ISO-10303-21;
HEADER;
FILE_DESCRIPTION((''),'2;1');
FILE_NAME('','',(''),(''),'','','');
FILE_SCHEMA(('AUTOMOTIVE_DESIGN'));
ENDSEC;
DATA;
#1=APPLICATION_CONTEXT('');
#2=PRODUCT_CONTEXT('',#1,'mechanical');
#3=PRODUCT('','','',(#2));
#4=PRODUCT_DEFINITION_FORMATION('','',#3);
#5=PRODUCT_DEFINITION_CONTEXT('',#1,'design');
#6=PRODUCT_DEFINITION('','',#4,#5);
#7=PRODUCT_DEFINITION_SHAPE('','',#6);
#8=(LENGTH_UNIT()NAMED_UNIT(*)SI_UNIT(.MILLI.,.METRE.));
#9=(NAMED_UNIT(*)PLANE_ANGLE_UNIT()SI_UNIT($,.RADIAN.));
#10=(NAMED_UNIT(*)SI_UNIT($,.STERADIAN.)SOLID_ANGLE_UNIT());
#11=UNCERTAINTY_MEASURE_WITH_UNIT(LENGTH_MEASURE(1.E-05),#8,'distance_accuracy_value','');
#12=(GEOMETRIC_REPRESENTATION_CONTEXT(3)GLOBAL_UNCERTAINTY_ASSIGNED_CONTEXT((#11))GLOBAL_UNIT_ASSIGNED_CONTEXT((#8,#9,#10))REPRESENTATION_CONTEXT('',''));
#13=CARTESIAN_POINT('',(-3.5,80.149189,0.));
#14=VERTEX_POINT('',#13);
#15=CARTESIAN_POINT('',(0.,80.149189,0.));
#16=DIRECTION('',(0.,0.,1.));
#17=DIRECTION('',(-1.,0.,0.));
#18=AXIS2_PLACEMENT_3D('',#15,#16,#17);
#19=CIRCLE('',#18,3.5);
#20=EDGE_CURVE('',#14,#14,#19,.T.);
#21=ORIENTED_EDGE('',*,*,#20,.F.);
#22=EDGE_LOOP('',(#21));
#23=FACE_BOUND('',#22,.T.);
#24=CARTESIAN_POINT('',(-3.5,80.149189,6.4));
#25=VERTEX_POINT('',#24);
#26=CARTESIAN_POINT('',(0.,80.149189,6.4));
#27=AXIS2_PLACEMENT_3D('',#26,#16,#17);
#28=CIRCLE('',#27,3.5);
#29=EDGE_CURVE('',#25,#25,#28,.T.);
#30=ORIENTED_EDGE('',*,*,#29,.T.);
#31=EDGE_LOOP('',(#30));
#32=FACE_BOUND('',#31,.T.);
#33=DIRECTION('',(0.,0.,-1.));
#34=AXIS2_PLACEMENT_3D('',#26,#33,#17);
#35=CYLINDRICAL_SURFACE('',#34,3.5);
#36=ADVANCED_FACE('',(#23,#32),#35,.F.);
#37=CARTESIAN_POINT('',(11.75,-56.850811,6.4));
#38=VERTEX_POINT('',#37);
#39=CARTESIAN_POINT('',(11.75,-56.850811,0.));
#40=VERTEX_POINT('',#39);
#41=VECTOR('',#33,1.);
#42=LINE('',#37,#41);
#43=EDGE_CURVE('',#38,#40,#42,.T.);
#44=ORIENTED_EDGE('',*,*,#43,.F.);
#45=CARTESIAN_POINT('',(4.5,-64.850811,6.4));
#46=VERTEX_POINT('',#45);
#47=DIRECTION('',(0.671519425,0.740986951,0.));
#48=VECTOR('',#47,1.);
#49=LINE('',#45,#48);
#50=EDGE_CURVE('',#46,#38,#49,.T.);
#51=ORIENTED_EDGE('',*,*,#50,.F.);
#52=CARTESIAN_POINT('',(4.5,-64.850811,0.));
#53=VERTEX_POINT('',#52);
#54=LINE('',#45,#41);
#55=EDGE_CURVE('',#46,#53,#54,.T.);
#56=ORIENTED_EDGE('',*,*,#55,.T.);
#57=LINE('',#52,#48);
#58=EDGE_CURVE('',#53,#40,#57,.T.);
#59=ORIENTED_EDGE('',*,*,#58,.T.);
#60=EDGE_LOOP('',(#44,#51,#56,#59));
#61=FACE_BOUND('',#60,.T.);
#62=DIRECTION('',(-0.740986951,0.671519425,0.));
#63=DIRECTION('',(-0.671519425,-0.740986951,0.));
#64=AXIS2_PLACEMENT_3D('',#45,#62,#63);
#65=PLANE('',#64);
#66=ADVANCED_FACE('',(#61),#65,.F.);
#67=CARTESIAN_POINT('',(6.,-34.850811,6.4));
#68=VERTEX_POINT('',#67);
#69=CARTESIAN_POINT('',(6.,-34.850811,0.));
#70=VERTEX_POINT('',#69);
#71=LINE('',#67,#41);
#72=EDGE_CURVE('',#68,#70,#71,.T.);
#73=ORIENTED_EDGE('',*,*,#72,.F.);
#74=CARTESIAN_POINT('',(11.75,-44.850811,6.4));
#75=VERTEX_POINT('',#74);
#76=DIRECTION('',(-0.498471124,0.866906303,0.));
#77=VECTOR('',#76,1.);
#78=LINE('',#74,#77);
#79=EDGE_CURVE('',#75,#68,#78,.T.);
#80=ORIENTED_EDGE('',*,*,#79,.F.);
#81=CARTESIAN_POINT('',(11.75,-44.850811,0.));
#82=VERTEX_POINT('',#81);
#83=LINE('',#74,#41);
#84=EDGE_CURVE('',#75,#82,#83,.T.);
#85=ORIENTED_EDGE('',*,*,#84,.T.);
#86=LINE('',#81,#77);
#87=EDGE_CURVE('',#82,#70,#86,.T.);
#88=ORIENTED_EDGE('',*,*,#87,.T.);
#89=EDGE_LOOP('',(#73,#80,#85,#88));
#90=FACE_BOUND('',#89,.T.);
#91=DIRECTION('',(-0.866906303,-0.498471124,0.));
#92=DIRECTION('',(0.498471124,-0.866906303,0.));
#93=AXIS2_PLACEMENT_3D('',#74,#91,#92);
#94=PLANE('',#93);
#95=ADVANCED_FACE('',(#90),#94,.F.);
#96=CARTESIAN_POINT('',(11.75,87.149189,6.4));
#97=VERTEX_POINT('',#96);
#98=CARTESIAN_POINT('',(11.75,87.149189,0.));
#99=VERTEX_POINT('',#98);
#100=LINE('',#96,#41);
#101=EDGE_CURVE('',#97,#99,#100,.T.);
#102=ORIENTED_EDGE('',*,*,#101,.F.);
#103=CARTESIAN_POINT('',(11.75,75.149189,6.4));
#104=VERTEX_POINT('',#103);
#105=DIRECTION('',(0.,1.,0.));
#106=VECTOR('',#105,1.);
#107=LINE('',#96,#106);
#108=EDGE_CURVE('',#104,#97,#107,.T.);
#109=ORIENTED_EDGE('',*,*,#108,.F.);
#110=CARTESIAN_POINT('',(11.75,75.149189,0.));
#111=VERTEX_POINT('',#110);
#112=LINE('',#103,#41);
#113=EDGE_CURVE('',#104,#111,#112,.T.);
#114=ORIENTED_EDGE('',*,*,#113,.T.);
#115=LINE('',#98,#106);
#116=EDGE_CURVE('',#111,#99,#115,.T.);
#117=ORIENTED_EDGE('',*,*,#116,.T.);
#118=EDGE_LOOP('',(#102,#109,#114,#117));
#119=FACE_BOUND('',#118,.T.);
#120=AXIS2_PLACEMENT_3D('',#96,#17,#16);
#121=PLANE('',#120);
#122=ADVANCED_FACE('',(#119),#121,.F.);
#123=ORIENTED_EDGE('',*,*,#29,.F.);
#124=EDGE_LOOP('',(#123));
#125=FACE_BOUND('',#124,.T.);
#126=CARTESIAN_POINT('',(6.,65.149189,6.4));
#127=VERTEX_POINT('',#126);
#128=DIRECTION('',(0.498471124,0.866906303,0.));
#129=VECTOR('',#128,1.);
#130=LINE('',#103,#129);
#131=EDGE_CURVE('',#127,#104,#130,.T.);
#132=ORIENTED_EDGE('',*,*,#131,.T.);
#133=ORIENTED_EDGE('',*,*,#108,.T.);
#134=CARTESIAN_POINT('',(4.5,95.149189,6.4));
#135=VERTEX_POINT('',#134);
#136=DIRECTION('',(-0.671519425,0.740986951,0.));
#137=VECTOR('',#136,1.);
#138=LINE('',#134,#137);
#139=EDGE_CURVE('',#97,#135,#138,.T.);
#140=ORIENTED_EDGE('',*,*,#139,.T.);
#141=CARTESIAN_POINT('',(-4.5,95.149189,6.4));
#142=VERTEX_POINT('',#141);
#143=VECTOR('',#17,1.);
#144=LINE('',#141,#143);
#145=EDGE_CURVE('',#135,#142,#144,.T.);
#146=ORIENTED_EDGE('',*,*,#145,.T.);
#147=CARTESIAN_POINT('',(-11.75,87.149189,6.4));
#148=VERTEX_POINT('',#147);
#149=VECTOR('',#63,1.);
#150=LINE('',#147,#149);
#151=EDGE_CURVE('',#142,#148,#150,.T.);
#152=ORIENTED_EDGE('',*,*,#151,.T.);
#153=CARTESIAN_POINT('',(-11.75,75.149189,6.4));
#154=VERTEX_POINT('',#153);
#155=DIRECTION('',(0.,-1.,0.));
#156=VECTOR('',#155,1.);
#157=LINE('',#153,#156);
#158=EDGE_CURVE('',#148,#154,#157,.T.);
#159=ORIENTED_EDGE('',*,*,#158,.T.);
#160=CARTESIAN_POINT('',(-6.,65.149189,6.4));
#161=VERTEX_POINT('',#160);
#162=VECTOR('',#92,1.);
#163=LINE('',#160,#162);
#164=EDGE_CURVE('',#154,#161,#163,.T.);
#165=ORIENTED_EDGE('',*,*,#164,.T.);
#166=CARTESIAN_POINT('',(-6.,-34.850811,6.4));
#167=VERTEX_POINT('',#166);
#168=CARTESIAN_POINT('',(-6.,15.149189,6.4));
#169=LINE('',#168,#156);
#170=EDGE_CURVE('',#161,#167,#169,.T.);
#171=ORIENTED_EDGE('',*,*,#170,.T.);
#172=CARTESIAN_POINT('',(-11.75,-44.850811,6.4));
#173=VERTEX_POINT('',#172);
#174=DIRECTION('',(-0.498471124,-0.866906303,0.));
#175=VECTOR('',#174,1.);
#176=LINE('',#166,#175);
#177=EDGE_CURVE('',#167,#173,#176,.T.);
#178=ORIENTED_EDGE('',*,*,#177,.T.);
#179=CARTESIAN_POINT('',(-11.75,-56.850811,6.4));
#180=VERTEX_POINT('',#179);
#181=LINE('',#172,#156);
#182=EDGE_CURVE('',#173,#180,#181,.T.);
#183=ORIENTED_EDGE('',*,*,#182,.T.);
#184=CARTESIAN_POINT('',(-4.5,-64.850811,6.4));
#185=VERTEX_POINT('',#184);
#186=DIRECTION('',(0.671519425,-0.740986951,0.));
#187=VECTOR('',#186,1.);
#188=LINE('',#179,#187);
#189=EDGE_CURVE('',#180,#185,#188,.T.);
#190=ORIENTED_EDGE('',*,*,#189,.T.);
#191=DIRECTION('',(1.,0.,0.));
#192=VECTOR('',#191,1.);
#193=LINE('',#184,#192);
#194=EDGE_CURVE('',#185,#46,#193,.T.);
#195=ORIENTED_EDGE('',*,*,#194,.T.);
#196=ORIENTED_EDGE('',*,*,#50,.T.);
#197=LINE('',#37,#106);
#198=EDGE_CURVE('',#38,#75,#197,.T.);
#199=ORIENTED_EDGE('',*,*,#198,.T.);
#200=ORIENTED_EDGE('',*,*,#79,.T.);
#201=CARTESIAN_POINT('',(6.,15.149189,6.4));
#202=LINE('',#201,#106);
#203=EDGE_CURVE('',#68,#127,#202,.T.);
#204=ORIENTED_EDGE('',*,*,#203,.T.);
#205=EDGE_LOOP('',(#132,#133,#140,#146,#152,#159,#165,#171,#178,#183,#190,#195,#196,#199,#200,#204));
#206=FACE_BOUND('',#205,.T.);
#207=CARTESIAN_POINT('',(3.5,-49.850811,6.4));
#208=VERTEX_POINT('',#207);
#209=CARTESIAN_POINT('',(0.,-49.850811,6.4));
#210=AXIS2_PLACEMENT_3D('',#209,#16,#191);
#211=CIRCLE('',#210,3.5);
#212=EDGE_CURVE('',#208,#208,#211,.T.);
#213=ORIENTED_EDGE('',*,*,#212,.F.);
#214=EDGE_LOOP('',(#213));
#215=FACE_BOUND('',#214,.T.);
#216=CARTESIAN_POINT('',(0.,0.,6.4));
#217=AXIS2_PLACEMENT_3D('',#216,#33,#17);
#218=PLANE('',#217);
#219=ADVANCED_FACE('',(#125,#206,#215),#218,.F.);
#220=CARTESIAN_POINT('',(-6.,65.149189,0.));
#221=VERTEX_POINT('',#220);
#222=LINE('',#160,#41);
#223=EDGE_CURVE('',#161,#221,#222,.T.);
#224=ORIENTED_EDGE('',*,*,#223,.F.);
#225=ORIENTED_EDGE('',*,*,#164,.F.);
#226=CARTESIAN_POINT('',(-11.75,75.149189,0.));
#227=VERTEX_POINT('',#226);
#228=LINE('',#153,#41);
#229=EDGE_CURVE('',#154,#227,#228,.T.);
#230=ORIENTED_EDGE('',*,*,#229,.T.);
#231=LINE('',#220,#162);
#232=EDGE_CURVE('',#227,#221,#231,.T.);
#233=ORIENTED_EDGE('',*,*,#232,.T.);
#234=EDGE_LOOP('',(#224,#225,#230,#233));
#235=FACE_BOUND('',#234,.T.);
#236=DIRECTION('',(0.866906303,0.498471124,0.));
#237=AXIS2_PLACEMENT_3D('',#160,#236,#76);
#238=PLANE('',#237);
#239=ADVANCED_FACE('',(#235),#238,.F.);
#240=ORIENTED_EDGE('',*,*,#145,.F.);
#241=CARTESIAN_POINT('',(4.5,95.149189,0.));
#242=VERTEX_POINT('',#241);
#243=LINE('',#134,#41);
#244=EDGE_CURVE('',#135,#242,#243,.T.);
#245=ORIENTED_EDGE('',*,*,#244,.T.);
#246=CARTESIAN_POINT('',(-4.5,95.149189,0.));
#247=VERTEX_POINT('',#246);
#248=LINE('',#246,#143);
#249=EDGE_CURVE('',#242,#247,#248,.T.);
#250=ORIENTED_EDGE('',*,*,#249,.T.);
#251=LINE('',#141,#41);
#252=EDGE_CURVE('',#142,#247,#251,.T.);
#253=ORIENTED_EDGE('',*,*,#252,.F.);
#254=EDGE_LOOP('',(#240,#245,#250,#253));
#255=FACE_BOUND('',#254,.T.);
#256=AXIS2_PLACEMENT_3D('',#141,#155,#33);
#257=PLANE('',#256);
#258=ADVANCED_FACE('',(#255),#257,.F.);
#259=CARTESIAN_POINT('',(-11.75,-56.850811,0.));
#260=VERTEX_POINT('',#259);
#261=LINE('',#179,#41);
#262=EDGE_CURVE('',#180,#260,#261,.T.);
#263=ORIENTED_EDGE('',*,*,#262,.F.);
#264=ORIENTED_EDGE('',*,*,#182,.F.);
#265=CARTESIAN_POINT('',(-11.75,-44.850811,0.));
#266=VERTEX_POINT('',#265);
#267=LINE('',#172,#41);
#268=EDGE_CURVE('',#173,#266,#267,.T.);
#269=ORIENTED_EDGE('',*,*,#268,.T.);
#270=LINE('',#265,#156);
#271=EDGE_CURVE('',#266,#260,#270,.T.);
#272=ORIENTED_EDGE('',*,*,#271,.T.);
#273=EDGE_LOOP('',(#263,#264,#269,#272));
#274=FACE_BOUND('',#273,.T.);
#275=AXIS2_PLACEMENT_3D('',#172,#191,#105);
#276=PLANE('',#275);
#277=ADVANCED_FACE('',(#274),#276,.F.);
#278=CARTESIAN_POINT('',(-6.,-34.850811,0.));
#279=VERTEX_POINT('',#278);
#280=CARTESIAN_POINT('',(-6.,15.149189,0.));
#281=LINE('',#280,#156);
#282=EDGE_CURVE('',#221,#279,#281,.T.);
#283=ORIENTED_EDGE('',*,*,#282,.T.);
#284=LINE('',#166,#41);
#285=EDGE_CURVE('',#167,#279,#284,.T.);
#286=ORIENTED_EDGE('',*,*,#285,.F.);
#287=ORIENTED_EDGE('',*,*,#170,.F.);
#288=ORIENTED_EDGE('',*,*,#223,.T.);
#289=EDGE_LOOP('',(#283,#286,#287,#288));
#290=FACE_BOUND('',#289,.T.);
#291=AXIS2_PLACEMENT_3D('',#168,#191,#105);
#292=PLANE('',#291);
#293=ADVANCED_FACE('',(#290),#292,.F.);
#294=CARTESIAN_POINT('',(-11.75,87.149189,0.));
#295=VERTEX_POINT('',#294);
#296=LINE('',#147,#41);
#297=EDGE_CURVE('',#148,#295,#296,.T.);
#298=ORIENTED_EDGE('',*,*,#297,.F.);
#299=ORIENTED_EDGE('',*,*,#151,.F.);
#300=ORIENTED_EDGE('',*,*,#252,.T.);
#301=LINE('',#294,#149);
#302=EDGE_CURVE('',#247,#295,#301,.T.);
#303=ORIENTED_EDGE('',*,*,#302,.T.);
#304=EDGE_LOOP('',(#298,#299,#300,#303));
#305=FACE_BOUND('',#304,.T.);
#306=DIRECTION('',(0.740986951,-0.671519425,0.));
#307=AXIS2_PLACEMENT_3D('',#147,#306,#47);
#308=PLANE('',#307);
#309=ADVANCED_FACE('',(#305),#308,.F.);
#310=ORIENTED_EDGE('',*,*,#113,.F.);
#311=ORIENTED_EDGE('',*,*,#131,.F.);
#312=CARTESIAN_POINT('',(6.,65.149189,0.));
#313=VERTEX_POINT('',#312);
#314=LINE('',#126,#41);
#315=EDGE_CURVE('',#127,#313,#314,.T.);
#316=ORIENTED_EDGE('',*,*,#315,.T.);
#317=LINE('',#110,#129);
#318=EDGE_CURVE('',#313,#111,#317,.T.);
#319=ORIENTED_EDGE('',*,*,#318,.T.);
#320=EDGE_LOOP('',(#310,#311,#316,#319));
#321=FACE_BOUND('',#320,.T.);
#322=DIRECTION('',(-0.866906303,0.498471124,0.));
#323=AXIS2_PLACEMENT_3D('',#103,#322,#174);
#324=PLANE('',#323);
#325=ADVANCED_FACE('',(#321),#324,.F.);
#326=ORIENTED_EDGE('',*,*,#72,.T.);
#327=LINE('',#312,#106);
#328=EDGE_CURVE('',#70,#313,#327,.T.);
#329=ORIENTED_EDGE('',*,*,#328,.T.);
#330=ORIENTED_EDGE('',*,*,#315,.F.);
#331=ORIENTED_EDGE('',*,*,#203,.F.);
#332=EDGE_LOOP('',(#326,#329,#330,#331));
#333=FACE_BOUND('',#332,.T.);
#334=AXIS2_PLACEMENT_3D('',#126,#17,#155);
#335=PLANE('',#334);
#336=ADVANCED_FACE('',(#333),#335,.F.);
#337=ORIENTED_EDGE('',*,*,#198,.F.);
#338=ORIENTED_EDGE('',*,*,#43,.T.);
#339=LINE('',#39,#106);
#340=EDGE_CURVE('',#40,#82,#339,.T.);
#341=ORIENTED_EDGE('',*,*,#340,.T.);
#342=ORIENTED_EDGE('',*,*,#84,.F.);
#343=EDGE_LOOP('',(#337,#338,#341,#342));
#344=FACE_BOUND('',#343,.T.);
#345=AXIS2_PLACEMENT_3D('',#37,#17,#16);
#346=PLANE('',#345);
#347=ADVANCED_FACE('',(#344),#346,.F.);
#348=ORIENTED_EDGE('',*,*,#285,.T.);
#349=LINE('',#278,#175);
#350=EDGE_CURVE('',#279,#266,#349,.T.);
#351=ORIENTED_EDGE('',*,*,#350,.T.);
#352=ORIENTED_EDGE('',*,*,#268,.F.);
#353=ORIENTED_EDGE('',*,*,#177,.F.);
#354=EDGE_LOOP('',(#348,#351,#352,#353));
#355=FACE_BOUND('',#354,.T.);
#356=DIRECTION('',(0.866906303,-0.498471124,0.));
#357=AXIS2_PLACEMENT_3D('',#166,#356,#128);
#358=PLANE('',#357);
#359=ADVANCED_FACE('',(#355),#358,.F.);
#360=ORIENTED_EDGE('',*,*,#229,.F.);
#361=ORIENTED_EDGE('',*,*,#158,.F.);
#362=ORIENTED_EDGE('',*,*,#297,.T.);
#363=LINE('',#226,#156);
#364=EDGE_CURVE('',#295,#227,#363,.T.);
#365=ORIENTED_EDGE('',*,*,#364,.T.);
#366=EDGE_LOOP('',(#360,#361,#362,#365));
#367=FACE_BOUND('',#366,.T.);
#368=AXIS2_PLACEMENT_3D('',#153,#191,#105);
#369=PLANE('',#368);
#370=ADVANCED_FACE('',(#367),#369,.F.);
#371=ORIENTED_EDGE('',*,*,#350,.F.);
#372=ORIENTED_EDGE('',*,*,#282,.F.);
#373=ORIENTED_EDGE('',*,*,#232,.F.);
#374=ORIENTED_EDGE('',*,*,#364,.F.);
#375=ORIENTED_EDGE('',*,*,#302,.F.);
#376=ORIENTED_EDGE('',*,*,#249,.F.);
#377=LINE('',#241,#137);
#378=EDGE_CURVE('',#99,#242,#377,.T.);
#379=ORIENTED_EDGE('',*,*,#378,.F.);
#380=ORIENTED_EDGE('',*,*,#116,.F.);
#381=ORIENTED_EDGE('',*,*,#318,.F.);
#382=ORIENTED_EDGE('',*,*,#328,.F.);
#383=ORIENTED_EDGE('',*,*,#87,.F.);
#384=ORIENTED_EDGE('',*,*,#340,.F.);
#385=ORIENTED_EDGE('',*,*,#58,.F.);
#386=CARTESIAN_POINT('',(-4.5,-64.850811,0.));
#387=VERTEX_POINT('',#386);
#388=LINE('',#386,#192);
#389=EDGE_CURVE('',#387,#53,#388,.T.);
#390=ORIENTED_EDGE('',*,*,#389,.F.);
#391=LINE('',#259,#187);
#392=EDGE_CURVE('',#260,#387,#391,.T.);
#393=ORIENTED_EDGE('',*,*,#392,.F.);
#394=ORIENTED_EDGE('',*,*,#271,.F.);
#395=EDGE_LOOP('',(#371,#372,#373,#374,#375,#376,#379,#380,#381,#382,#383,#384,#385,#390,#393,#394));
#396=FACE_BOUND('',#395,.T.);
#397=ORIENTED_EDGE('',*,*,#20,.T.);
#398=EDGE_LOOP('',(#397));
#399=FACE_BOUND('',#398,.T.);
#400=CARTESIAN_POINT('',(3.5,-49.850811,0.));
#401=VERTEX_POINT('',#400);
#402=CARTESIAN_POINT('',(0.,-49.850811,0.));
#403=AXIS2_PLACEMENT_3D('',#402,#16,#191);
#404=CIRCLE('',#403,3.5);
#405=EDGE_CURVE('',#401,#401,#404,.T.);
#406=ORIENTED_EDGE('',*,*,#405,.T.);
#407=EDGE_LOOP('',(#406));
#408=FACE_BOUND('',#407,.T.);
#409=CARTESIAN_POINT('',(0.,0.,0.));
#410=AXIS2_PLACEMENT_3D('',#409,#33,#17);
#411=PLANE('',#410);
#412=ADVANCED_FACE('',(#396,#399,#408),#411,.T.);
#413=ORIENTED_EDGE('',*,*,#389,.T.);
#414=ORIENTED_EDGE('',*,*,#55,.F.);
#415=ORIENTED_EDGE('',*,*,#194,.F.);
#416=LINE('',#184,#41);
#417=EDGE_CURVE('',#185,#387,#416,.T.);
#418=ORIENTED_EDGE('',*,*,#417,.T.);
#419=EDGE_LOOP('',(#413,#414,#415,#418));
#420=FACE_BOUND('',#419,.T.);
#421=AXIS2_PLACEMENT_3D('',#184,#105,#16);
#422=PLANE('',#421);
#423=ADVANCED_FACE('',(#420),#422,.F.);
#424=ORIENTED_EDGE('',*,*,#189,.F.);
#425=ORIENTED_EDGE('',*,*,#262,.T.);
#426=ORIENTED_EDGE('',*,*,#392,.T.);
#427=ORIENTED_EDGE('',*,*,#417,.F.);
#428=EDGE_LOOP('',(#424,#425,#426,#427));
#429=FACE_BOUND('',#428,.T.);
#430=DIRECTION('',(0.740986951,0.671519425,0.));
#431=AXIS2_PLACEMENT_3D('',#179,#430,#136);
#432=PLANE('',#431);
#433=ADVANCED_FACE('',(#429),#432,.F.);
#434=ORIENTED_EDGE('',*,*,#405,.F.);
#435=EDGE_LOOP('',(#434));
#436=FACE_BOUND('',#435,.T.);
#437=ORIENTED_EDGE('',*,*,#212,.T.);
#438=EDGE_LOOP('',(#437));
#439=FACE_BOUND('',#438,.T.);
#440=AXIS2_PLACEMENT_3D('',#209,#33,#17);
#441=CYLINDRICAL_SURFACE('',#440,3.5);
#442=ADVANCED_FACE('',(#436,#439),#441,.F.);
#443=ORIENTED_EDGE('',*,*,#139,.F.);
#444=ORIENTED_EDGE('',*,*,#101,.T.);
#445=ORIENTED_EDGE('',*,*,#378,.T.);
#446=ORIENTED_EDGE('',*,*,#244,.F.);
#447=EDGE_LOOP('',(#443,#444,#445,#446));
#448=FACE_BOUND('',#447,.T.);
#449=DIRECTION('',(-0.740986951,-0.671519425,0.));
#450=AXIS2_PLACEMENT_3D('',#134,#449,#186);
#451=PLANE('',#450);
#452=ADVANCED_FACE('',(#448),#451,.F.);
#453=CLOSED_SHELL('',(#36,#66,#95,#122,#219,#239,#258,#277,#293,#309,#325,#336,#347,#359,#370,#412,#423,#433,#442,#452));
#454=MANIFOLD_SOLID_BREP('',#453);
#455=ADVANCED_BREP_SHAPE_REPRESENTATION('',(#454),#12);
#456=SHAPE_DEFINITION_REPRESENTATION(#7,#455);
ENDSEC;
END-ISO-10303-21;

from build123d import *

# Parameters (mm, degrees)
CROQUIS1_R              = 3.5
SALIENTE_EXTRUIR1_DEPTH = 6.4


with BuildPart() as part:
    # Croquis1 → Saliente-Extruir1 (new body)
    with BuildSketch(Plane.XY):
        Polygon((-6, 15.149188933), (-6, -34.850811067), (-11.75, -44.850811067), (-11.75, -56.850811067), (-4.5, -64.850811067), (4.5, -64.850811067), (11.75, -56.850811067), (11.75, -44.850811067), (6, -34.850811067), (6, 15.149188933), (6, 65.149188933), (11.75, 75.149188933), (11.75, 87.149188933), (4.5, 95.149188933), (-4.5, 95.149188933), (-11.75, 87.149188933), (-11.75, 75.149188933), (-6, 65.149188933), align=None)
        with Locations((0, -49.850811067)):
            Circle(CROQUIS1_R, mode=Mode.SUBTRACT)
        with Locations((0, 80.149188933)):
            Circle(CROQUIS1_R, mode=Mode.SUBTRACT)
    extrude(amount=SALIENTE_EXTRUIR1_DEPTH)


solid = part.part
